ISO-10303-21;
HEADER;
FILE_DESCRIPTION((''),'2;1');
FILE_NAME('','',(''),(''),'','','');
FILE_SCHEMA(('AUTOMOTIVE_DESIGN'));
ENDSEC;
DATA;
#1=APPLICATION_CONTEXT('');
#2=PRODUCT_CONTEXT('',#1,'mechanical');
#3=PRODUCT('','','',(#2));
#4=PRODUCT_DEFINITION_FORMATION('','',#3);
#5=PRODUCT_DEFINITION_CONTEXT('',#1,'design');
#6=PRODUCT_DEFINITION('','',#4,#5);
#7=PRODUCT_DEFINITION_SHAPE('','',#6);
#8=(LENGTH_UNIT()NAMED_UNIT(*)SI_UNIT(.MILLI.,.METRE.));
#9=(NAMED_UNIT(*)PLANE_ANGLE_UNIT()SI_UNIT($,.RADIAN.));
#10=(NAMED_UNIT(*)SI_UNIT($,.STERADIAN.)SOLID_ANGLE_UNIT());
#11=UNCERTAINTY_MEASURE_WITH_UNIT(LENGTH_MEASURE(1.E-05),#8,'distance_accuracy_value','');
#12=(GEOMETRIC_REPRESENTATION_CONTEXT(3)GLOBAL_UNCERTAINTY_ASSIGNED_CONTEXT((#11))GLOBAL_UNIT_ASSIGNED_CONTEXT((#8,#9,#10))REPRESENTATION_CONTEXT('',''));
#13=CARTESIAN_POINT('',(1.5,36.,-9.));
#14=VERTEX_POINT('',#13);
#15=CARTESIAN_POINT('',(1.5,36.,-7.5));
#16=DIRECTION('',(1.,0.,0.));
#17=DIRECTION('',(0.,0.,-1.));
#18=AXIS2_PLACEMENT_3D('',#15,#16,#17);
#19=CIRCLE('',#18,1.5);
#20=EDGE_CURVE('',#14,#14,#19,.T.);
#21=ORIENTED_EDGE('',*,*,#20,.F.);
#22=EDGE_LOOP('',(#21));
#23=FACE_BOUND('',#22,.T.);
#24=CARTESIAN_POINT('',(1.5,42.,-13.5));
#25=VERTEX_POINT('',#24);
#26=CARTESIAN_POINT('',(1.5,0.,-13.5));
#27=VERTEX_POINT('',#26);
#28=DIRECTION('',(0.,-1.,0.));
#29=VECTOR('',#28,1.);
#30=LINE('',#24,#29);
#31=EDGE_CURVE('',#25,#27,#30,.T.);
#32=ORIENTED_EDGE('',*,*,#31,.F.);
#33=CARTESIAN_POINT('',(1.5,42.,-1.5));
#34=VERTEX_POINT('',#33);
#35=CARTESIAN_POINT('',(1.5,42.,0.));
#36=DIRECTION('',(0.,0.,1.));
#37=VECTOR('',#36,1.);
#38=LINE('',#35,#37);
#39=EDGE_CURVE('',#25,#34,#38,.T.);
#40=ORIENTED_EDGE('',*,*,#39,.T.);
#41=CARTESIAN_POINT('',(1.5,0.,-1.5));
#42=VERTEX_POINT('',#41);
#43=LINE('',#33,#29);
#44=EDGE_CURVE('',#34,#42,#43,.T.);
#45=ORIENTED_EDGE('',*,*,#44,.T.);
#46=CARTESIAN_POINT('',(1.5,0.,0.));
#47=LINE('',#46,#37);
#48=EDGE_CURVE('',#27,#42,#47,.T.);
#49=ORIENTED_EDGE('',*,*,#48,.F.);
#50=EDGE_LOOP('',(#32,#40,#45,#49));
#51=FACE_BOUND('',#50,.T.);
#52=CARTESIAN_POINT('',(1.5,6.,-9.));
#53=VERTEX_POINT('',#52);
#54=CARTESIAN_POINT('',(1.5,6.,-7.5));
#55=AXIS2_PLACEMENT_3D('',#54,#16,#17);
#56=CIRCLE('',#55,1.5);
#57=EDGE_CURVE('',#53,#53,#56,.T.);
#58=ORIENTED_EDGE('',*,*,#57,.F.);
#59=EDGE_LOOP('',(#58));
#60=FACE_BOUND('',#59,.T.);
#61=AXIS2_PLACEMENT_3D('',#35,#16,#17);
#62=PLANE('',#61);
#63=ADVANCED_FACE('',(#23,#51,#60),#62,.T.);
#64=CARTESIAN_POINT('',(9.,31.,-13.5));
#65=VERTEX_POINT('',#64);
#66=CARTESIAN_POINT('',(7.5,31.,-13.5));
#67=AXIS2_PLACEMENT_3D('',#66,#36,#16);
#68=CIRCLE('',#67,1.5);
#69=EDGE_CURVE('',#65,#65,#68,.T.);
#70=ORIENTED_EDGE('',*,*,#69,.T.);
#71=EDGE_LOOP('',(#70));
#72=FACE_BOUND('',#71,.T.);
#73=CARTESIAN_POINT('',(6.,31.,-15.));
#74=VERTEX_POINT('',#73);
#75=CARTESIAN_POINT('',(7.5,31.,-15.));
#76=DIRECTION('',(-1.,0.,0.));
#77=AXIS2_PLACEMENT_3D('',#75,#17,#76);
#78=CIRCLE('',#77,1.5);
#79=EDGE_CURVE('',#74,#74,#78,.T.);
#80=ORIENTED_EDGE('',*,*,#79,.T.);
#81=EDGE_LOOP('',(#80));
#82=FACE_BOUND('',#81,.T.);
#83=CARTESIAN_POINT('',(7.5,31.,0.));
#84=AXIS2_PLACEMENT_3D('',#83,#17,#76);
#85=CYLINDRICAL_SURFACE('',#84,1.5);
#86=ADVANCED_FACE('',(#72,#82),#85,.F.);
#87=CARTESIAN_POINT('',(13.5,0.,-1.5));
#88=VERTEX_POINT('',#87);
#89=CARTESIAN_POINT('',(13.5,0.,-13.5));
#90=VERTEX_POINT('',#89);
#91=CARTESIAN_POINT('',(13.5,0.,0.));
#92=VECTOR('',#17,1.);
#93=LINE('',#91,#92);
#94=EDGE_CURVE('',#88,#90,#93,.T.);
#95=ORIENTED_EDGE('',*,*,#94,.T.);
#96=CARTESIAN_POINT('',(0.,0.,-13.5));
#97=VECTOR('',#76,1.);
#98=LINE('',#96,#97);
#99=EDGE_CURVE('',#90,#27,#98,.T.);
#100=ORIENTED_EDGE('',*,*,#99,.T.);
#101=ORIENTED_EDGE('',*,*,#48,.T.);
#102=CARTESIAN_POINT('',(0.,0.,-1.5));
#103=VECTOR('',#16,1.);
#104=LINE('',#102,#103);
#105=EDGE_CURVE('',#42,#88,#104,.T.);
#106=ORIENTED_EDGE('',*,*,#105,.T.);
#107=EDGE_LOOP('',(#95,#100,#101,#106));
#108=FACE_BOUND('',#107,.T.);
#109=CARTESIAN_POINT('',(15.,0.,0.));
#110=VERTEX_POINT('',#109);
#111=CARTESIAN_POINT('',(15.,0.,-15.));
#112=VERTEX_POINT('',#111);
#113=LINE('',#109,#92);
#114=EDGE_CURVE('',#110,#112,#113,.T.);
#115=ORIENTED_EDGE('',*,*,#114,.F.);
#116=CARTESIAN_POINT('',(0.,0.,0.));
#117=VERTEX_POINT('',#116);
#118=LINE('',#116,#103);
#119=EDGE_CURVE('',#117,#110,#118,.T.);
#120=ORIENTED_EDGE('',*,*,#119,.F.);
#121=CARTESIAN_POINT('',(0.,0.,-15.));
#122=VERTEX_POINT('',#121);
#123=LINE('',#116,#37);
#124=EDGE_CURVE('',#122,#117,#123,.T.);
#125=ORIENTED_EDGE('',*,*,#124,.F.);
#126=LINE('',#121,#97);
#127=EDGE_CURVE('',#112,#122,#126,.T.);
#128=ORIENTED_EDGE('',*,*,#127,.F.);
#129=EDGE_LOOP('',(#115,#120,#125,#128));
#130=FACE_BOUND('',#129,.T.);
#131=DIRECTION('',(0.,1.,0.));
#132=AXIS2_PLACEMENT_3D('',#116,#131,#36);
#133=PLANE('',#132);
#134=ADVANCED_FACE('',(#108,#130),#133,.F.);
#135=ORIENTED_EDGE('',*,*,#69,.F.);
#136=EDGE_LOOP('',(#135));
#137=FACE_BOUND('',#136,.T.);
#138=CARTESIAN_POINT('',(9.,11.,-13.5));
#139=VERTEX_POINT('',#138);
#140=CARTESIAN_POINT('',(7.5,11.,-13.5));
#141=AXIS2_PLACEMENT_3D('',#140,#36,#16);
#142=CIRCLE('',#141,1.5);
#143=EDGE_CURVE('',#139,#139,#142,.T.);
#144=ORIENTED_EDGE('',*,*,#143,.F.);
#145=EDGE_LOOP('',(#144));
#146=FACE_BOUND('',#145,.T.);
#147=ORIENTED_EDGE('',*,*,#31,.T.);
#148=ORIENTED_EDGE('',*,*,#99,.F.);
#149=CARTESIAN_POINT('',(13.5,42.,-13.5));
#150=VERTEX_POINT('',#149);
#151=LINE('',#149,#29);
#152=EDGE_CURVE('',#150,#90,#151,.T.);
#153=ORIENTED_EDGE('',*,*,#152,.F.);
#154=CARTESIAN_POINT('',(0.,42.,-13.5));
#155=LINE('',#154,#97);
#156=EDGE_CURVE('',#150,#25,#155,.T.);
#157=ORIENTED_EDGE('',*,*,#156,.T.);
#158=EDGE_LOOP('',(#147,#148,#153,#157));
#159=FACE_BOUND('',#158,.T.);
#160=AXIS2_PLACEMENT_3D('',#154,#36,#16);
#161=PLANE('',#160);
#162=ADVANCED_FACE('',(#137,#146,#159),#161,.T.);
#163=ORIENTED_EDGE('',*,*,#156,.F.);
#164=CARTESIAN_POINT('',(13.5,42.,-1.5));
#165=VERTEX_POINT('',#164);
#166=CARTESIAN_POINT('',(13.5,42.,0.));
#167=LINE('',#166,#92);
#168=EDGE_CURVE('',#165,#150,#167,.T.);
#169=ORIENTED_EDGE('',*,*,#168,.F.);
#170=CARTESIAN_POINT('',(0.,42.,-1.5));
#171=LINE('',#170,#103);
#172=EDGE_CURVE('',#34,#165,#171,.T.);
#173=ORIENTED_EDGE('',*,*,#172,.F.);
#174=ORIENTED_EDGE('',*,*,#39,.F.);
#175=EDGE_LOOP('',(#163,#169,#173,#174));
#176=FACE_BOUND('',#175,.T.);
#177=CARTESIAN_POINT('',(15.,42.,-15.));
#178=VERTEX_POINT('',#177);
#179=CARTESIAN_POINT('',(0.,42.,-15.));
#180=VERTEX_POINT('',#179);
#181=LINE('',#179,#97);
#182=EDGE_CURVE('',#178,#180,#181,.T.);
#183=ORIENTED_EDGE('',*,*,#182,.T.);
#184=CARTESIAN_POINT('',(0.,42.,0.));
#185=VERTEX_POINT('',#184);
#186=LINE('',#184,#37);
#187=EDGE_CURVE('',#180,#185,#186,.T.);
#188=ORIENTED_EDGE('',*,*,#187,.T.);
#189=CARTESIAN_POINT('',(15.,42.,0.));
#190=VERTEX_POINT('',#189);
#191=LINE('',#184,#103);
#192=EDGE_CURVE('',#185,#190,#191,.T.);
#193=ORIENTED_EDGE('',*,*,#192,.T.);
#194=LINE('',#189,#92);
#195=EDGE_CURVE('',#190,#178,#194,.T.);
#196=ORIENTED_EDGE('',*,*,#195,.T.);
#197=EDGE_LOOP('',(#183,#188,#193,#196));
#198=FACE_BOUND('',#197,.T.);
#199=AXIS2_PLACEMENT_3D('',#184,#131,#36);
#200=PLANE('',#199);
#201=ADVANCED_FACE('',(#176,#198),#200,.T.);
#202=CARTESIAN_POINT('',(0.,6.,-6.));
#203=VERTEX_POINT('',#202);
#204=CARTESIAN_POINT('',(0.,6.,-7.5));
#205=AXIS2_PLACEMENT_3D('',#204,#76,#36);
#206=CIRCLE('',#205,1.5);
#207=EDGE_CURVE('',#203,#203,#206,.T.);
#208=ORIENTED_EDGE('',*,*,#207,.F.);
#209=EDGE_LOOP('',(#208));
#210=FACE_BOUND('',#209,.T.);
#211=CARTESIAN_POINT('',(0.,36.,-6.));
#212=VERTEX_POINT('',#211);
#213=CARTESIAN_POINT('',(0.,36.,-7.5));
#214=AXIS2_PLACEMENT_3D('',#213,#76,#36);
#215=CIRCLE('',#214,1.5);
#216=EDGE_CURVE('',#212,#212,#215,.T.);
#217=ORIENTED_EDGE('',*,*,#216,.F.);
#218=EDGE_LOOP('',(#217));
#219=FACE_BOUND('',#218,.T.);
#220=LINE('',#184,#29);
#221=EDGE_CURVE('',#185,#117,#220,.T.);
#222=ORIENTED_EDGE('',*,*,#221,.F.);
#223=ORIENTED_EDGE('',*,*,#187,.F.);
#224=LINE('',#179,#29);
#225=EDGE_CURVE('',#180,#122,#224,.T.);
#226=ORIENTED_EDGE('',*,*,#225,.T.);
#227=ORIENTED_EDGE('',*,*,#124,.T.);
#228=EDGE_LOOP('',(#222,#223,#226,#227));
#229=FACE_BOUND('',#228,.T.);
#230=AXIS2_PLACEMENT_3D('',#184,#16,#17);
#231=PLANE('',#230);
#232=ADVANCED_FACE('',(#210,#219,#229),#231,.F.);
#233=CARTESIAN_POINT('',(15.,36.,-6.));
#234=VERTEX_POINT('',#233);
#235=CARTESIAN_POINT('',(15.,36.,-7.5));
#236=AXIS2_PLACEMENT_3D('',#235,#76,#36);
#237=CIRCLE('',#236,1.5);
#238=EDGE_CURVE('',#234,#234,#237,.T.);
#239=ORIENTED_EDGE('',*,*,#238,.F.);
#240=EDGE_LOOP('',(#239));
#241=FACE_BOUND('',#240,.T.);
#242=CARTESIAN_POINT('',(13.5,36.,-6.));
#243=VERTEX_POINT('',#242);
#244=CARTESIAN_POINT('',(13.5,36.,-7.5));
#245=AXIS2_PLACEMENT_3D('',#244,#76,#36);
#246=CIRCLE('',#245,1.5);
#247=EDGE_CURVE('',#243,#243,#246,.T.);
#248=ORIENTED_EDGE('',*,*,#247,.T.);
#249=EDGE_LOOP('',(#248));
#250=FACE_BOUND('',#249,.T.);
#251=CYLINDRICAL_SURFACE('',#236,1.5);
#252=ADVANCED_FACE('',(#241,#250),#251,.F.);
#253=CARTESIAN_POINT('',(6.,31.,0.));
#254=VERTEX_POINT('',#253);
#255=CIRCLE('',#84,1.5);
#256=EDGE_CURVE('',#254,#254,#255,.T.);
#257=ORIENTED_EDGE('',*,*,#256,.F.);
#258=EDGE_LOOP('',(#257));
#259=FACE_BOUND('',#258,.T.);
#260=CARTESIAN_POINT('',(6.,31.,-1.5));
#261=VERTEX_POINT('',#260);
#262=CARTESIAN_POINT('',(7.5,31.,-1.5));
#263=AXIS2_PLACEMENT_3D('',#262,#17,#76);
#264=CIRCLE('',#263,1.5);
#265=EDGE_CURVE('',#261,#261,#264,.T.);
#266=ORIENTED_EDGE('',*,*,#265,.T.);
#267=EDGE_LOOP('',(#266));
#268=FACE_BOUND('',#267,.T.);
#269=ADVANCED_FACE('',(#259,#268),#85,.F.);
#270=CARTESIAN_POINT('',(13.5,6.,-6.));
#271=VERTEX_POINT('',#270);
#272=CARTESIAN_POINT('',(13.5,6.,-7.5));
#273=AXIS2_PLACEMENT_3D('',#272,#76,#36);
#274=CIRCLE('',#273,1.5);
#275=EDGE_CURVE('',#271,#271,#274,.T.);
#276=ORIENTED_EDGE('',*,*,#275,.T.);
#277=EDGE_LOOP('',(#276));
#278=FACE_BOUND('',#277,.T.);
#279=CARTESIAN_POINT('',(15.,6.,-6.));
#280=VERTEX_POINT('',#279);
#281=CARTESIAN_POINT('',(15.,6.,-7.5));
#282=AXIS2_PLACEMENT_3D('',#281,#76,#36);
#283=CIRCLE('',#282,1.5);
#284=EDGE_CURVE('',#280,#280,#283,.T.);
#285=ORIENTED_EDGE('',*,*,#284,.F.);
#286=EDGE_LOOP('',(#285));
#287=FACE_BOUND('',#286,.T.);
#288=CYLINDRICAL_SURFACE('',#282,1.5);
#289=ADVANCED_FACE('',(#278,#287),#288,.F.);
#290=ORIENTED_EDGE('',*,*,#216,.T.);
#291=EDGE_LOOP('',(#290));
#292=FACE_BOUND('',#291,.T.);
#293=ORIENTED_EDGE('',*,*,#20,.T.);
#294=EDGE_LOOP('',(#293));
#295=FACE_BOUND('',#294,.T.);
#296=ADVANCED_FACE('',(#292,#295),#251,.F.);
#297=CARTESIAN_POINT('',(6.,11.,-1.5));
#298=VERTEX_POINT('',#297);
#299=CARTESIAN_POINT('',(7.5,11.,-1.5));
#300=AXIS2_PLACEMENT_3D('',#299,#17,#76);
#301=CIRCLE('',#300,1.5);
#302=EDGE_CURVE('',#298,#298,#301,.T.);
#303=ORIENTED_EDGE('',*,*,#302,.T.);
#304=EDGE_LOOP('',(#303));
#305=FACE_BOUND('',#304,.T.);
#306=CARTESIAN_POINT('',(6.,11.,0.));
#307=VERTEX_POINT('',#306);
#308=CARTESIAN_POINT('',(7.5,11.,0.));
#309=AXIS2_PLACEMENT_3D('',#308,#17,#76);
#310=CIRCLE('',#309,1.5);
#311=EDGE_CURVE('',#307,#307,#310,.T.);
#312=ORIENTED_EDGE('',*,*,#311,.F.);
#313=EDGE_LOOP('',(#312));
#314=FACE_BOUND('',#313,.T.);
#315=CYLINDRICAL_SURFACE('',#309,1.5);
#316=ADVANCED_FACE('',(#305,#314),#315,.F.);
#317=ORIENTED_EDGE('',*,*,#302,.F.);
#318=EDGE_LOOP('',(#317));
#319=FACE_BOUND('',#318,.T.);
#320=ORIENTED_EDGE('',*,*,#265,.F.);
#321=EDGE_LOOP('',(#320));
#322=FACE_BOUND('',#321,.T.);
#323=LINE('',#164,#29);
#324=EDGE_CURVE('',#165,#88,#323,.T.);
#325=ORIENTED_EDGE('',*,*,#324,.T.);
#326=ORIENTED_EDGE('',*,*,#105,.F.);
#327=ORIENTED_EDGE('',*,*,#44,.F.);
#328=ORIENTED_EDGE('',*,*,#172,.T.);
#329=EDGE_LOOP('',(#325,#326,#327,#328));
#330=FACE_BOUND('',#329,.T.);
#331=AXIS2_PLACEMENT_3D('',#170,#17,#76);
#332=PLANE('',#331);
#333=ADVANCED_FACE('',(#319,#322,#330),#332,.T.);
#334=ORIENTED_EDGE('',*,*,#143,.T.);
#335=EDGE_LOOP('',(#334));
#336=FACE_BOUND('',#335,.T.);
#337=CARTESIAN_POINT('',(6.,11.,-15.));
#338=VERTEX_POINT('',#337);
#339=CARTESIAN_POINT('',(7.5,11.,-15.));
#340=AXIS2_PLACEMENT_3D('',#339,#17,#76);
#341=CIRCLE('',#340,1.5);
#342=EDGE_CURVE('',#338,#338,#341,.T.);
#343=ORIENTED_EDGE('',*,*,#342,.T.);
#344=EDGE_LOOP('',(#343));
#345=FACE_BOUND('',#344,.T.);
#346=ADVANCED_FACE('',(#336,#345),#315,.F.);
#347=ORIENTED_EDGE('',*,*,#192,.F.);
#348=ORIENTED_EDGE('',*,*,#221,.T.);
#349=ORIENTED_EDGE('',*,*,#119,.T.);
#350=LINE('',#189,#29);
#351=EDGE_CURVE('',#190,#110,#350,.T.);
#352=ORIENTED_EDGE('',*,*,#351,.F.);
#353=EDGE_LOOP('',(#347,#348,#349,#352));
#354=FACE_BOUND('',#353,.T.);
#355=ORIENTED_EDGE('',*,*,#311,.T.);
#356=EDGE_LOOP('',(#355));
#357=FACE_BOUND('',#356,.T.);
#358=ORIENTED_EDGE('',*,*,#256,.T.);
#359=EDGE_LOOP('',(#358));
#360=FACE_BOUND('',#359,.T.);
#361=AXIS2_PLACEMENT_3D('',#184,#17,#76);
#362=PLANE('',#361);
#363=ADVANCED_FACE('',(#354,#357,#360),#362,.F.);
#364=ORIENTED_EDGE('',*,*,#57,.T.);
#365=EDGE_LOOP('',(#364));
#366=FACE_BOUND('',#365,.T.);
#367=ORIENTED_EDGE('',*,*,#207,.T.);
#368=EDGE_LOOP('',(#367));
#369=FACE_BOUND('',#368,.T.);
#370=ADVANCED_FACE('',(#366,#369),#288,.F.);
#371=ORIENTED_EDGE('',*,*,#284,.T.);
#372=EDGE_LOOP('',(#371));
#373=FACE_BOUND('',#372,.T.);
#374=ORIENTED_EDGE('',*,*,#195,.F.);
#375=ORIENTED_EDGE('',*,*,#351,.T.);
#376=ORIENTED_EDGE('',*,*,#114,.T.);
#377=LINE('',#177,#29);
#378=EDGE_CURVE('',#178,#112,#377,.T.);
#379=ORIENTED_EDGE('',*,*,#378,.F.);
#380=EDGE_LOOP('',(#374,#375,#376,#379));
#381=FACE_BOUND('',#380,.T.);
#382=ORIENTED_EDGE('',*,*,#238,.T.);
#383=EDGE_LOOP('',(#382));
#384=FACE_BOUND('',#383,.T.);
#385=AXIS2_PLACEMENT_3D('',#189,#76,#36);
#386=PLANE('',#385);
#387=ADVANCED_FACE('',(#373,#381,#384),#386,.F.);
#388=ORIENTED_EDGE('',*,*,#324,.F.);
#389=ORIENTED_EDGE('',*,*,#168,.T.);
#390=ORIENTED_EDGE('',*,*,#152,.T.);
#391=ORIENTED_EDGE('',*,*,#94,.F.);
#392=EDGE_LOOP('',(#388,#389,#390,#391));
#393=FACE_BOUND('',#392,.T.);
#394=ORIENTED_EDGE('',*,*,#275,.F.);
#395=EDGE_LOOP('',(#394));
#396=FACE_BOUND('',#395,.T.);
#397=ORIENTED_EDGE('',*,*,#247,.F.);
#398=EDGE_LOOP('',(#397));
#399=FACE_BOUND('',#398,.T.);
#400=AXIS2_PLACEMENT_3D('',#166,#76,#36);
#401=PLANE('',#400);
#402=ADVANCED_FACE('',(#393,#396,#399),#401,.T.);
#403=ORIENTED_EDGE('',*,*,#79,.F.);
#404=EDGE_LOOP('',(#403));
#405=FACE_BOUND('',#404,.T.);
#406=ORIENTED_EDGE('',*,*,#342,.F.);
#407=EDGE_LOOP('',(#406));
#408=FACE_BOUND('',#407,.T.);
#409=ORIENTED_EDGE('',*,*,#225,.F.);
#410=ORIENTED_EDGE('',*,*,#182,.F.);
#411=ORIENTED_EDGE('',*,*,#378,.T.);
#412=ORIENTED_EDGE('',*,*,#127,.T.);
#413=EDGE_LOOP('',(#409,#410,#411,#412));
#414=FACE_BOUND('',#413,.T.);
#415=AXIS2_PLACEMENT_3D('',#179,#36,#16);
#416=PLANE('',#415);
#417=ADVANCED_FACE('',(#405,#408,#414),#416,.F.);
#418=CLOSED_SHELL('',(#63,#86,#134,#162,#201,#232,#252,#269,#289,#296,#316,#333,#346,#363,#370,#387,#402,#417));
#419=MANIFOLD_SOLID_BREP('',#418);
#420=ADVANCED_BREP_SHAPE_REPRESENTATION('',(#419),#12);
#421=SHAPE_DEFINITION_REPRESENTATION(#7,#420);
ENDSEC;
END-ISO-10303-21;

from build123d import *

# Parameters (mm, degrees)
SKETCH1_W           = 15
SKETCH1_H           = 15
SKETCH1_W_2         = 12
SKETCH1_H_2         = 12
EXTRUDE_THIN1_DEPTH = 42
SKETCH2_R           = 1.5
CUT_EXTRUDE1_DEPTH  = 16
SKETCH3_R           = 1.5
CUT_EXTRUDE2_DEPTH  = 16


with BuildPart() as part:
    # Sketch1 → Extrude-Thin1 (new body)
    with BuildSketch(Plane(origin=(0, 0, 0), x_dir=(1, 0, 0), z_dir=(0, 1, 0))):
        with Locations((7.5, 7.5)):
            Rectangle(SKETCH1_W, SKETCH1_H)
        with Locations((7.5, 7.5)):
            Rectangle(SKETCH1_W_2, SKETCH1_H_2, mode=Mode.SUBTRACT)
    extrude(amount=EXTRUDE_THIN1_DEPTH)

    # Sketch2 → Cut-Extrude1 (cut, through all)
    with BuildSketch(Plane.ZY):
        with Locations((-7.5, 36)):
            Circle(SKETCH2_R)
        with Locations((-7.5, 6)):
            Circle(SKETCH2_R)
    extrude(amount=-CUT_EXTRUDE1_DEPTH, mode=Mode.SUBTRACT)

    # Sketch3 → Cut-Extrude2 (cut, through all)
    with BuildSketch(Plane(origin=(0, 0, -15), x_dir=(-1, 0, 0), z_dir=(0, 0, -1))):
        with Locations((-7.5, 31)):
            Circle(SKETCH3_R)
        with Locations((-7.5, 11)):
            Circle(SKETCH3_R)
    extrude(amount=-CUT_EXTRUDE2_DEPTH, mode=Mode.SUBTRACT)


solid = part.part
